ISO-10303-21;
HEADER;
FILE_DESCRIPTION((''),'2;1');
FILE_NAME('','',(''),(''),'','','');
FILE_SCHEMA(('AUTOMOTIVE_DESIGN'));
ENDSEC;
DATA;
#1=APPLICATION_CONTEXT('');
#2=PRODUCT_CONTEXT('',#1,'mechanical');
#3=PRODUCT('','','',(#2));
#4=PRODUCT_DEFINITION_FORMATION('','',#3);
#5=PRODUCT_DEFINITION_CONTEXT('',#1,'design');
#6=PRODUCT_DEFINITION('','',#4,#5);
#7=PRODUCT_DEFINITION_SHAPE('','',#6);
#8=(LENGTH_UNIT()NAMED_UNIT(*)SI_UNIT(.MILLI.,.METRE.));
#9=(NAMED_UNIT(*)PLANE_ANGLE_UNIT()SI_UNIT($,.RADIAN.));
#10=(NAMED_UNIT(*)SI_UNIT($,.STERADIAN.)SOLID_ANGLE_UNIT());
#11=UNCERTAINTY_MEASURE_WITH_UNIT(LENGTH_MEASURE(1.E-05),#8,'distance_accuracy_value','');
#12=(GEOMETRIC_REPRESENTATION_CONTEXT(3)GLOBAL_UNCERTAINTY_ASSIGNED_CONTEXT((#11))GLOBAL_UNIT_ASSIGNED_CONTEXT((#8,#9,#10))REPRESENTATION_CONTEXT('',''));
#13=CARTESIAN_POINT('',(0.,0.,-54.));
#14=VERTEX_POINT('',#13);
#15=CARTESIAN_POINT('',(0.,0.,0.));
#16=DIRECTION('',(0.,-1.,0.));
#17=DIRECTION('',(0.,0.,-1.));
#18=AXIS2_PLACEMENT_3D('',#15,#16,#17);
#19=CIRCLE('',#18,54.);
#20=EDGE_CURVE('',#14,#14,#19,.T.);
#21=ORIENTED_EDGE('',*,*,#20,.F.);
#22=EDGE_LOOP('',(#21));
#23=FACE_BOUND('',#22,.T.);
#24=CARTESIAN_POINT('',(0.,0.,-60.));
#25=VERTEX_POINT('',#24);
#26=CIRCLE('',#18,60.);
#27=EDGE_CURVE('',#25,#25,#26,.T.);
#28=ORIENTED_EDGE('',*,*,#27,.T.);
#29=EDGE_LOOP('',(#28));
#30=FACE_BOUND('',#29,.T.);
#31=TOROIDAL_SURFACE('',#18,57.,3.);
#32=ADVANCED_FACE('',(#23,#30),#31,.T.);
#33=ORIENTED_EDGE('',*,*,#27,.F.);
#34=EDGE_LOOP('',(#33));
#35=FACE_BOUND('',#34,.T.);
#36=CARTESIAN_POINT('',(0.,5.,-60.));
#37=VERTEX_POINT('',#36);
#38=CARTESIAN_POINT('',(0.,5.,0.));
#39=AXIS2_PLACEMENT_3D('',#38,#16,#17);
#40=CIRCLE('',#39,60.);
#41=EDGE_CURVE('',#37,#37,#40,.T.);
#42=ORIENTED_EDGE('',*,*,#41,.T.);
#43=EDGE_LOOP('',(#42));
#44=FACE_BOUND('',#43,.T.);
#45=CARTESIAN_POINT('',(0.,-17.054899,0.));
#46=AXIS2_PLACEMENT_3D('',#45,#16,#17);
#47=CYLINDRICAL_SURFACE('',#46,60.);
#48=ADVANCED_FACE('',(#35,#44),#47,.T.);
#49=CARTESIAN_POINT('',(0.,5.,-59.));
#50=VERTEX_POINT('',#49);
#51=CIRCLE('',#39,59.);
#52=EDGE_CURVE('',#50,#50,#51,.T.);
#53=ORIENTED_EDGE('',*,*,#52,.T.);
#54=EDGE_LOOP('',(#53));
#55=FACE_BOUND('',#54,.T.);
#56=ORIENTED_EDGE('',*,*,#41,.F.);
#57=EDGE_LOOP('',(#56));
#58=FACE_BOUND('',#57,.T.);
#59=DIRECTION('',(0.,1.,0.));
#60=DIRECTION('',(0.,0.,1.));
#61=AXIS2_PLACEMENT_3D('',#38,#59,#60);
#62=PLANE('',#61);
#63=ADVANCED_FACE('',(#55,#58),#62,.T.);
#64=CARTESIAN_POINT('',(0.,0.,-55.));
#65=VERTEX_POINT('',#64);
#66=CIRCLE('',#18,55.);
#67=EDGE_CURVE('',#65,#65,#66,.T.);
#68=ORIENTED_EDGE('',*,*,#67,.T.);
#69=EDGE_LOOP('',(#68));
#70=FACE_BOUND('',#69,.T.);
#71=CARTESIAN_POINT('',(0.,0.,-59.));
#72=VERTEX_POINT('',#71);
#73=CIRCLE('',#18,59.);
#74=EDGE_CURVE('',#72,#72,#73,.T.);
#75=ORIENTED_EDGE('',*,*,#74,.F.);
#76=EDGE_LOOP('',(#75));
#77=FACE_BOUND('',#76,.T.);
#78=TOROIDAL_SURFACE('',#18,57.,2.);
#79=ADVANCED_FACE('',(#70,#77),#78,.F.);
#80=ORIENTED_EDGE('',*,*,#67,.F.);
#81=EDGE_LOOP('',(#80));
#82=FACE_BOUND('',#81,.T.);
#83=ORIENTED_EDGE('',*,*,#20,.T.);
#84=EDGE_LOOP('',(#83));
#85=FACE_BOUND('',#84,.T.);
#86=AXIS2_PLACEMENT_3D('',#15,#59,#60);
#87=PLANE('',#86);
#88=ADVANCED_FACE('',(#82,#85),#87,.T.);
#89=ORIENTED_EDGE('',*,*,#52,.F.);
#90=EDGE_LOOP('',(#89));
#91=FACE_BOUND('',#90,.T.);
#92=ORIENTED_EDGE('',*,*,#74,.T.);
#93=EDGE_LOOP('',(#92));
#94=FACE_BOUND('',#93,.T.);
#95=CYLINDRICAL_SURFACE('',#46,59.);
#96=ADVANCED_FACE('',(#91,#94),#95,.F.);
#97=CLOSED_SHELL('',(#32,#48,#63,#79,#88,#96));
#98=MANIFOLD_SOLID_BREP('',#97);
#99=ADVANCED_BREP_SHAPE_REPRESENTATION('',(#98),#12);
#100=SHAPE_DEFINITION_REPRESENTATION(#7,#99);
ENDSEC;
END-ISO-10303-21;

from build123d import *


with BuildPart() as part:
    # Sketch1 → Revolve1 (revolve)
    with BuildSketch(Plane.YZ, mode=Mode.PRIVATE) as revolve1_sk:
        with BuildLine():
            ThreePointArc((0, 59), (-2, 57), (0, 55))
            Line((0, 55), (0, 54))
            ThreePointArc((0, 54), (-3, 57), (0, 60))
            Line((0, 60), (5, 60))
            Line((5, 60), (5, 59))
            Line((5, 59), (0, 59))
        make_face()
    revolve(revolve1_sk.sketch.rotate(Axis((0, -17.054898575, 0), (0, 1, 0)), 180), axis=Axis((0, -17.054898575, 0), (0, 1, 0)))


solid = part.part
